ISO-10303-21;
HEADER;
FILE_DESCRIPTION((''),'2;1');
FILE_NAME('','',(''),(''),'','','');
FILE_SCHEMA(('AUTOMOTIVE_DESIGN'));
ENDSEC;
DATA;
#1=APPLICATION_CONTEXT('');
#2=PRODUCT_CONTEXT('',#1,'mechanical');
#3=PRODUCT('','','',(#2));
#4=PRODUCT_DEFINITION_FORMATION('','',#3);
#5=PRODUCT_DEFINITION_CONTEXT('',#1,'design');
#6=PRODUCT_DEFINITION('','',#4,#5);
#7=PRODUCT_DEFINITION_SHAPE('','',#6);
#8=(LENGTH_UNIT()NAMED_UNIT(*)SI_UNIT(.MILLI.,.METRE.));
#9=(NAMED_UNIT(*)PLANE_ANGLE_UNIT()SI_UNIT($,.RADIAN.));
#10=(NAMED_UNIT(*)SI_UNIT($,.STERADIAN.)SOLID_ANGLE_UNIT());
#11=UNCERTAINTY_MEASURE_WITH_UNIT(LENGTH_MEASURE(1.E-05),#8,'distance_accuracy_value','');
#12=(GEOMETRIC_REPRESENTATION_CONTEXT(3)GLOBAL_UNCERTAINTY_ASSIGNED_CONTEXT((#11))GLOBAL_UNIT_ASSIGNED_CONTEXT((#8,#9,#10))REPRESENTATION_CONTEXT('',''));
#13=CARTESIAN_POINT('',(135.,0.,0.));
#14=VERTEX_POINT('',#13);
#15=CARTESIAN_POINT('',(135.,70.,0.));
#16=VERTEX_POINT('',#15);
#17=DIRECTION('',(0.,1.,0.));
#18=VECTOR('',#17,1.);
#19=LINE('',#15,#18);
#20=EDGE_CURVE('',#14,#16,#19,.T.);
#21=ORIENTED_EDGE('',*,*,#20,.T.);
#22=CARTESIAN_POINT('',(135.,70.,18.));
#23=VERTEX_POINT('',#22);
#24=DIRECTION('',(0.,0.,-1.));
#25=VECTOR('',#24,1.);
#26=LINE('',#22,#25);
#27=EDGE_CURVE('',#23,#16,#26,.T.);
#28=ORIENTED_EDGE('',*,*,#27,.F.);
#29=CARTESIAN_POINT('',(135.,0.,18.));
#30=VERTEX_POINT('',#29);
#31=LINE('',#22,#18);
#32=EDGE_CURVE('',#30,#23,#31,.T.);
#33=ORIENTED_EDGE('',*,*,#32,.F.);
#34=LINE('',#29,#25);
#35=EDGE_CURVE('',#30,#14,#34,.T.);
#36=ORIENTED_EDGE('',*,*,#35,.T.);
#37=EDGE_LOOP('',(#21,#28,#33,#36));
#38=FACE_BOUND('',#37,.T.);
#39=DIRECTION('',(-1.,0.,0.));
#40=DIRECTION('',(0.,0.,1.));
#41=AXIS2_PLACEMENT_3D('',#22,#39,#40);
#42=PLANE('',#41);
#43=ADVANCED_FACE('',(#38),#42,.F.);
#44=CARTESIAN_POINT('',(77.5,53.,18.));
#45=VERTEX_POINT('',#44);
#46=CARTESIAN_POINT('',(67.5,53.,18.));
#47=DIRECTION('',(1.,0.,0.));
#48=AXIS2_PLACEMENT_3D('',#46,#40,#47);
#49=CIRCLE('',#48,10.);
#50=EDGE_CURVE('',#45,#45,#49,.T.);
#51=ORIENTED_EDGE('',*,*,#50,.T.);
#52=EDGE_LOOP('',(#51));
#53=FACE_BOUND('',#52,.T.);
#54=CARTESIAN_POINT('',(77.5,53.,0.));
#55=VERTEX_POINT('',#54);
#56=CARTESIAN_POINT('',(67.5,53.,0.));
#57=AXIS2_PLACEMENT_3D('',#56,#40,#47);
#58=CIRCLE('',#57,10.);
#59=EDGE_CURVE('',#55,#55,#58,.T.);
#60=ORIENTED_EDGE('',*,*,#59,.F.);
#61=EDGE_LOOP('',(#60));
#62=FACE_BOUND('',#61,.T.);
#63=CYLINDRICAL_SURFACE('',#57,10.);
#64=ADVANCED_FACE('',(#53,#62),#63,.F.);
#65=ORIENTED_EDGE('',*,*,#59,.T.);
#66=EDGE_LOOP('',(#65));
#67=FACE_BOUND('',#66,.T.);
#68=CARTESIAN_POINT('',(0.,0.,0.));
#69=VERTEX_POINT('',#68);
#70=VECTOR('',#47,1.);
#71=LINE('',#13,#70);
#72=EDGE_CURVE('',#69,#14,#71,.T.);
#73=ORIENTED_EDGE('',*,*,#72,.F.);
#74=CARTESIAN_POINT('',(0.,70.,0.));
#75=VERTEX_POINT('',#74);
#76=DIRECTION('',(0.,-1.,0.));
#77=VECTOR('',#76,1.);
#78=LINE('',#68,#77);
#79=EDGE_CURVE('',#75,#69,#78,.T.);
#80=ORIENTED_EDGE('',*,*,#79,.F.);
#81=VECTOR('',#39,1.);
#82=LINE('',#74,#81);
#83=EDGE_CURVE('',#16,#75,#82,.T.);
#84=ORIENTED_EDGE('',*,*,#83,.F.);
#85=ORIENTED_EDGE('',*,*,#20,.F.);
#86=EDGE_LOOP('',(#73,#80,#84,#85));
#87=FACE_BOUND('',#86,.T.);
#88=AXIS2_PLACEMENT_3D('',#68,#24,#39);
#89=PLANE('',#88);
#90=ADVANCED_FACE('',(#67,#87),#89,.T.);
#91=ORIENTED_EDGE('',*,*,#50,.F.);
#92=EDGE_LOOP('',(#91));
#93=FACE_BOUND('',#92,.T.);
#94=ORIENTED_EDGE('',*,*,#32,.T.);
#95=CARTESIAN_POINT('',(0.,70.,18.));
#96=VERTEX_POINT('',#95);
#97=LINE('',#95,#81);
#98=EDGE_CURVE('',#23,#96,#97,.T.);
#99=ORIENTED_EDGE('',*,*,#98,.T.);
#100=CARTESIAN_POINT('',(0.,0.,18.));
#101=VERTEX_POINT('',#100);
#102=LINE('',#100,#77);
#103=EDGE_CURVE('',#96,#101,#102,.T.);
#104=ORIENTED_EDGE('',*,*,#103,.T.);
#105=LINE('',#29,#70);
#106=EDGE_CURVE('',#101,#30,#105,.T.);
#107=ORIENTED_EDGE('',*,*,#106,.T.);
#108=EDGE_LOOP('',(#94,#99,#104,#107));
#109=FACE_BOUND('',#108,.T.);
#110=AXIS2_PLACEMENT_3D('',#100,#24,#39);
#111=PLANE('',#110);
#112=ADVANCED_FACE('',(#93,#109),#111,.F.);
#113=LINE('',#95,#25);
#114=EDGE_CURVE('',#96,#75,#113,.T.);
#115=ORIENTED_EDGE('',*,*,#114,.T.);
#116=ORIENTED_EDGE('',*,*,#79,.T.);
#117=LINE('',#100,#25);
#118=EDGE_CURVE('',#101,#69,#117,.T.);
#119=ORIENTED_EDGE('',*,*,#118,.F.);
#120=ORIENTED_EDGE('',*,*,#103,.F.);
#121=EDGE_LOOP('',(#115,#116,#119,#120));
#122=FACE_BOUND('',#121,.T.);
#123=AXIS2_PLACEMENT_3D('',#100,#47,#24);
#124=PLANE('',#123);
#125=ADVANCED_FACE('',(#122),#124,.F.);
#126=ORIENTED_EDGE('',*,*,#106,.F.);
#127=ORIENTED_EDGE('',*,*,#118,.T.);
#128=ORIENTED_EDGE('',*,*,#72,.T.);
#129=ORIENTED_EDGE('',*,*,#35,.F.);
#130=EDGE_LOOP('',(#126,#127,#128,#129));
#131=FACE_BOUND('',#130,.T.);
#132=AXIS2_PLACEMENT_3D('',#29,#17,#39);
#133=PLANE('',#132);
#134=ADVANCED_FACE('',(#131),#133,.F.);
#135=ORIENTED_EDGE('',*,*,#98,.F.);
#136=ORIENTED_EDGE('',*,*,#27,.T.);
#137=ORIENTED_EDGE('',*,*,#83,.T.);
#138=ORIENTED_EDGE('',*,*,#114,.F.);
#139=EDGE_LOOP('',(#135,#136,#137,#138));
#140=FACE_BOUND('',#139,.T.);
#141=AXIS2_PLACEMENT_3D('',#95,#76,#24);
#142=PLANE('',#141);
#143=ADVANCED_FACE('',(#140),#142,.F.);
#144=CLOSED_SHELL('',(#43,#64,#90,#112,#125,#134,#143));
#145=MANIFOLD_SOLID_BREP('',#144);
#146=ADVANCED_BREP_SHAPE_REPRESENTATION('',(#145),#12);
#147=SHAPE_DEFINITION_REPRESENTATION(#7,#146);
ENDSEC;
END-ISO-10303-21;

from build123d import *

# Parameters (mm, degrees)
CROQUIS1_W              = 135
CROQUIS1_H              = 70
SALIENTE_EXTRUIR1_DEPTH = 18
CROQUIS3_R              = 10
CORTAR_EXTRUIR1_DEPTH   = 19


with BuildPart() as part:
    # Croquis1 → Saliente-Extruir1 (new body)
    with BuildSketch(Plane.XY):
        with Locations((67.5, 35)):
            Rectangle(CROQUIS1_W, CROQUIS1_H)
    extrude(amount=SALIENTE_EXTRUIR1_DEPTH)

    # Croquis3 → Cortar-Extruir1 (cut, through all)
    with BuildSketch(Plane.XY.offset(18)):
        with Locations((67.5, 53)):
            Circle(CROQUIS3_R)
    extrude(amount=-CORTAR_EXTRUIR1_DEPTH, mode=Mode.SUBTRACT)


solid = part.part
